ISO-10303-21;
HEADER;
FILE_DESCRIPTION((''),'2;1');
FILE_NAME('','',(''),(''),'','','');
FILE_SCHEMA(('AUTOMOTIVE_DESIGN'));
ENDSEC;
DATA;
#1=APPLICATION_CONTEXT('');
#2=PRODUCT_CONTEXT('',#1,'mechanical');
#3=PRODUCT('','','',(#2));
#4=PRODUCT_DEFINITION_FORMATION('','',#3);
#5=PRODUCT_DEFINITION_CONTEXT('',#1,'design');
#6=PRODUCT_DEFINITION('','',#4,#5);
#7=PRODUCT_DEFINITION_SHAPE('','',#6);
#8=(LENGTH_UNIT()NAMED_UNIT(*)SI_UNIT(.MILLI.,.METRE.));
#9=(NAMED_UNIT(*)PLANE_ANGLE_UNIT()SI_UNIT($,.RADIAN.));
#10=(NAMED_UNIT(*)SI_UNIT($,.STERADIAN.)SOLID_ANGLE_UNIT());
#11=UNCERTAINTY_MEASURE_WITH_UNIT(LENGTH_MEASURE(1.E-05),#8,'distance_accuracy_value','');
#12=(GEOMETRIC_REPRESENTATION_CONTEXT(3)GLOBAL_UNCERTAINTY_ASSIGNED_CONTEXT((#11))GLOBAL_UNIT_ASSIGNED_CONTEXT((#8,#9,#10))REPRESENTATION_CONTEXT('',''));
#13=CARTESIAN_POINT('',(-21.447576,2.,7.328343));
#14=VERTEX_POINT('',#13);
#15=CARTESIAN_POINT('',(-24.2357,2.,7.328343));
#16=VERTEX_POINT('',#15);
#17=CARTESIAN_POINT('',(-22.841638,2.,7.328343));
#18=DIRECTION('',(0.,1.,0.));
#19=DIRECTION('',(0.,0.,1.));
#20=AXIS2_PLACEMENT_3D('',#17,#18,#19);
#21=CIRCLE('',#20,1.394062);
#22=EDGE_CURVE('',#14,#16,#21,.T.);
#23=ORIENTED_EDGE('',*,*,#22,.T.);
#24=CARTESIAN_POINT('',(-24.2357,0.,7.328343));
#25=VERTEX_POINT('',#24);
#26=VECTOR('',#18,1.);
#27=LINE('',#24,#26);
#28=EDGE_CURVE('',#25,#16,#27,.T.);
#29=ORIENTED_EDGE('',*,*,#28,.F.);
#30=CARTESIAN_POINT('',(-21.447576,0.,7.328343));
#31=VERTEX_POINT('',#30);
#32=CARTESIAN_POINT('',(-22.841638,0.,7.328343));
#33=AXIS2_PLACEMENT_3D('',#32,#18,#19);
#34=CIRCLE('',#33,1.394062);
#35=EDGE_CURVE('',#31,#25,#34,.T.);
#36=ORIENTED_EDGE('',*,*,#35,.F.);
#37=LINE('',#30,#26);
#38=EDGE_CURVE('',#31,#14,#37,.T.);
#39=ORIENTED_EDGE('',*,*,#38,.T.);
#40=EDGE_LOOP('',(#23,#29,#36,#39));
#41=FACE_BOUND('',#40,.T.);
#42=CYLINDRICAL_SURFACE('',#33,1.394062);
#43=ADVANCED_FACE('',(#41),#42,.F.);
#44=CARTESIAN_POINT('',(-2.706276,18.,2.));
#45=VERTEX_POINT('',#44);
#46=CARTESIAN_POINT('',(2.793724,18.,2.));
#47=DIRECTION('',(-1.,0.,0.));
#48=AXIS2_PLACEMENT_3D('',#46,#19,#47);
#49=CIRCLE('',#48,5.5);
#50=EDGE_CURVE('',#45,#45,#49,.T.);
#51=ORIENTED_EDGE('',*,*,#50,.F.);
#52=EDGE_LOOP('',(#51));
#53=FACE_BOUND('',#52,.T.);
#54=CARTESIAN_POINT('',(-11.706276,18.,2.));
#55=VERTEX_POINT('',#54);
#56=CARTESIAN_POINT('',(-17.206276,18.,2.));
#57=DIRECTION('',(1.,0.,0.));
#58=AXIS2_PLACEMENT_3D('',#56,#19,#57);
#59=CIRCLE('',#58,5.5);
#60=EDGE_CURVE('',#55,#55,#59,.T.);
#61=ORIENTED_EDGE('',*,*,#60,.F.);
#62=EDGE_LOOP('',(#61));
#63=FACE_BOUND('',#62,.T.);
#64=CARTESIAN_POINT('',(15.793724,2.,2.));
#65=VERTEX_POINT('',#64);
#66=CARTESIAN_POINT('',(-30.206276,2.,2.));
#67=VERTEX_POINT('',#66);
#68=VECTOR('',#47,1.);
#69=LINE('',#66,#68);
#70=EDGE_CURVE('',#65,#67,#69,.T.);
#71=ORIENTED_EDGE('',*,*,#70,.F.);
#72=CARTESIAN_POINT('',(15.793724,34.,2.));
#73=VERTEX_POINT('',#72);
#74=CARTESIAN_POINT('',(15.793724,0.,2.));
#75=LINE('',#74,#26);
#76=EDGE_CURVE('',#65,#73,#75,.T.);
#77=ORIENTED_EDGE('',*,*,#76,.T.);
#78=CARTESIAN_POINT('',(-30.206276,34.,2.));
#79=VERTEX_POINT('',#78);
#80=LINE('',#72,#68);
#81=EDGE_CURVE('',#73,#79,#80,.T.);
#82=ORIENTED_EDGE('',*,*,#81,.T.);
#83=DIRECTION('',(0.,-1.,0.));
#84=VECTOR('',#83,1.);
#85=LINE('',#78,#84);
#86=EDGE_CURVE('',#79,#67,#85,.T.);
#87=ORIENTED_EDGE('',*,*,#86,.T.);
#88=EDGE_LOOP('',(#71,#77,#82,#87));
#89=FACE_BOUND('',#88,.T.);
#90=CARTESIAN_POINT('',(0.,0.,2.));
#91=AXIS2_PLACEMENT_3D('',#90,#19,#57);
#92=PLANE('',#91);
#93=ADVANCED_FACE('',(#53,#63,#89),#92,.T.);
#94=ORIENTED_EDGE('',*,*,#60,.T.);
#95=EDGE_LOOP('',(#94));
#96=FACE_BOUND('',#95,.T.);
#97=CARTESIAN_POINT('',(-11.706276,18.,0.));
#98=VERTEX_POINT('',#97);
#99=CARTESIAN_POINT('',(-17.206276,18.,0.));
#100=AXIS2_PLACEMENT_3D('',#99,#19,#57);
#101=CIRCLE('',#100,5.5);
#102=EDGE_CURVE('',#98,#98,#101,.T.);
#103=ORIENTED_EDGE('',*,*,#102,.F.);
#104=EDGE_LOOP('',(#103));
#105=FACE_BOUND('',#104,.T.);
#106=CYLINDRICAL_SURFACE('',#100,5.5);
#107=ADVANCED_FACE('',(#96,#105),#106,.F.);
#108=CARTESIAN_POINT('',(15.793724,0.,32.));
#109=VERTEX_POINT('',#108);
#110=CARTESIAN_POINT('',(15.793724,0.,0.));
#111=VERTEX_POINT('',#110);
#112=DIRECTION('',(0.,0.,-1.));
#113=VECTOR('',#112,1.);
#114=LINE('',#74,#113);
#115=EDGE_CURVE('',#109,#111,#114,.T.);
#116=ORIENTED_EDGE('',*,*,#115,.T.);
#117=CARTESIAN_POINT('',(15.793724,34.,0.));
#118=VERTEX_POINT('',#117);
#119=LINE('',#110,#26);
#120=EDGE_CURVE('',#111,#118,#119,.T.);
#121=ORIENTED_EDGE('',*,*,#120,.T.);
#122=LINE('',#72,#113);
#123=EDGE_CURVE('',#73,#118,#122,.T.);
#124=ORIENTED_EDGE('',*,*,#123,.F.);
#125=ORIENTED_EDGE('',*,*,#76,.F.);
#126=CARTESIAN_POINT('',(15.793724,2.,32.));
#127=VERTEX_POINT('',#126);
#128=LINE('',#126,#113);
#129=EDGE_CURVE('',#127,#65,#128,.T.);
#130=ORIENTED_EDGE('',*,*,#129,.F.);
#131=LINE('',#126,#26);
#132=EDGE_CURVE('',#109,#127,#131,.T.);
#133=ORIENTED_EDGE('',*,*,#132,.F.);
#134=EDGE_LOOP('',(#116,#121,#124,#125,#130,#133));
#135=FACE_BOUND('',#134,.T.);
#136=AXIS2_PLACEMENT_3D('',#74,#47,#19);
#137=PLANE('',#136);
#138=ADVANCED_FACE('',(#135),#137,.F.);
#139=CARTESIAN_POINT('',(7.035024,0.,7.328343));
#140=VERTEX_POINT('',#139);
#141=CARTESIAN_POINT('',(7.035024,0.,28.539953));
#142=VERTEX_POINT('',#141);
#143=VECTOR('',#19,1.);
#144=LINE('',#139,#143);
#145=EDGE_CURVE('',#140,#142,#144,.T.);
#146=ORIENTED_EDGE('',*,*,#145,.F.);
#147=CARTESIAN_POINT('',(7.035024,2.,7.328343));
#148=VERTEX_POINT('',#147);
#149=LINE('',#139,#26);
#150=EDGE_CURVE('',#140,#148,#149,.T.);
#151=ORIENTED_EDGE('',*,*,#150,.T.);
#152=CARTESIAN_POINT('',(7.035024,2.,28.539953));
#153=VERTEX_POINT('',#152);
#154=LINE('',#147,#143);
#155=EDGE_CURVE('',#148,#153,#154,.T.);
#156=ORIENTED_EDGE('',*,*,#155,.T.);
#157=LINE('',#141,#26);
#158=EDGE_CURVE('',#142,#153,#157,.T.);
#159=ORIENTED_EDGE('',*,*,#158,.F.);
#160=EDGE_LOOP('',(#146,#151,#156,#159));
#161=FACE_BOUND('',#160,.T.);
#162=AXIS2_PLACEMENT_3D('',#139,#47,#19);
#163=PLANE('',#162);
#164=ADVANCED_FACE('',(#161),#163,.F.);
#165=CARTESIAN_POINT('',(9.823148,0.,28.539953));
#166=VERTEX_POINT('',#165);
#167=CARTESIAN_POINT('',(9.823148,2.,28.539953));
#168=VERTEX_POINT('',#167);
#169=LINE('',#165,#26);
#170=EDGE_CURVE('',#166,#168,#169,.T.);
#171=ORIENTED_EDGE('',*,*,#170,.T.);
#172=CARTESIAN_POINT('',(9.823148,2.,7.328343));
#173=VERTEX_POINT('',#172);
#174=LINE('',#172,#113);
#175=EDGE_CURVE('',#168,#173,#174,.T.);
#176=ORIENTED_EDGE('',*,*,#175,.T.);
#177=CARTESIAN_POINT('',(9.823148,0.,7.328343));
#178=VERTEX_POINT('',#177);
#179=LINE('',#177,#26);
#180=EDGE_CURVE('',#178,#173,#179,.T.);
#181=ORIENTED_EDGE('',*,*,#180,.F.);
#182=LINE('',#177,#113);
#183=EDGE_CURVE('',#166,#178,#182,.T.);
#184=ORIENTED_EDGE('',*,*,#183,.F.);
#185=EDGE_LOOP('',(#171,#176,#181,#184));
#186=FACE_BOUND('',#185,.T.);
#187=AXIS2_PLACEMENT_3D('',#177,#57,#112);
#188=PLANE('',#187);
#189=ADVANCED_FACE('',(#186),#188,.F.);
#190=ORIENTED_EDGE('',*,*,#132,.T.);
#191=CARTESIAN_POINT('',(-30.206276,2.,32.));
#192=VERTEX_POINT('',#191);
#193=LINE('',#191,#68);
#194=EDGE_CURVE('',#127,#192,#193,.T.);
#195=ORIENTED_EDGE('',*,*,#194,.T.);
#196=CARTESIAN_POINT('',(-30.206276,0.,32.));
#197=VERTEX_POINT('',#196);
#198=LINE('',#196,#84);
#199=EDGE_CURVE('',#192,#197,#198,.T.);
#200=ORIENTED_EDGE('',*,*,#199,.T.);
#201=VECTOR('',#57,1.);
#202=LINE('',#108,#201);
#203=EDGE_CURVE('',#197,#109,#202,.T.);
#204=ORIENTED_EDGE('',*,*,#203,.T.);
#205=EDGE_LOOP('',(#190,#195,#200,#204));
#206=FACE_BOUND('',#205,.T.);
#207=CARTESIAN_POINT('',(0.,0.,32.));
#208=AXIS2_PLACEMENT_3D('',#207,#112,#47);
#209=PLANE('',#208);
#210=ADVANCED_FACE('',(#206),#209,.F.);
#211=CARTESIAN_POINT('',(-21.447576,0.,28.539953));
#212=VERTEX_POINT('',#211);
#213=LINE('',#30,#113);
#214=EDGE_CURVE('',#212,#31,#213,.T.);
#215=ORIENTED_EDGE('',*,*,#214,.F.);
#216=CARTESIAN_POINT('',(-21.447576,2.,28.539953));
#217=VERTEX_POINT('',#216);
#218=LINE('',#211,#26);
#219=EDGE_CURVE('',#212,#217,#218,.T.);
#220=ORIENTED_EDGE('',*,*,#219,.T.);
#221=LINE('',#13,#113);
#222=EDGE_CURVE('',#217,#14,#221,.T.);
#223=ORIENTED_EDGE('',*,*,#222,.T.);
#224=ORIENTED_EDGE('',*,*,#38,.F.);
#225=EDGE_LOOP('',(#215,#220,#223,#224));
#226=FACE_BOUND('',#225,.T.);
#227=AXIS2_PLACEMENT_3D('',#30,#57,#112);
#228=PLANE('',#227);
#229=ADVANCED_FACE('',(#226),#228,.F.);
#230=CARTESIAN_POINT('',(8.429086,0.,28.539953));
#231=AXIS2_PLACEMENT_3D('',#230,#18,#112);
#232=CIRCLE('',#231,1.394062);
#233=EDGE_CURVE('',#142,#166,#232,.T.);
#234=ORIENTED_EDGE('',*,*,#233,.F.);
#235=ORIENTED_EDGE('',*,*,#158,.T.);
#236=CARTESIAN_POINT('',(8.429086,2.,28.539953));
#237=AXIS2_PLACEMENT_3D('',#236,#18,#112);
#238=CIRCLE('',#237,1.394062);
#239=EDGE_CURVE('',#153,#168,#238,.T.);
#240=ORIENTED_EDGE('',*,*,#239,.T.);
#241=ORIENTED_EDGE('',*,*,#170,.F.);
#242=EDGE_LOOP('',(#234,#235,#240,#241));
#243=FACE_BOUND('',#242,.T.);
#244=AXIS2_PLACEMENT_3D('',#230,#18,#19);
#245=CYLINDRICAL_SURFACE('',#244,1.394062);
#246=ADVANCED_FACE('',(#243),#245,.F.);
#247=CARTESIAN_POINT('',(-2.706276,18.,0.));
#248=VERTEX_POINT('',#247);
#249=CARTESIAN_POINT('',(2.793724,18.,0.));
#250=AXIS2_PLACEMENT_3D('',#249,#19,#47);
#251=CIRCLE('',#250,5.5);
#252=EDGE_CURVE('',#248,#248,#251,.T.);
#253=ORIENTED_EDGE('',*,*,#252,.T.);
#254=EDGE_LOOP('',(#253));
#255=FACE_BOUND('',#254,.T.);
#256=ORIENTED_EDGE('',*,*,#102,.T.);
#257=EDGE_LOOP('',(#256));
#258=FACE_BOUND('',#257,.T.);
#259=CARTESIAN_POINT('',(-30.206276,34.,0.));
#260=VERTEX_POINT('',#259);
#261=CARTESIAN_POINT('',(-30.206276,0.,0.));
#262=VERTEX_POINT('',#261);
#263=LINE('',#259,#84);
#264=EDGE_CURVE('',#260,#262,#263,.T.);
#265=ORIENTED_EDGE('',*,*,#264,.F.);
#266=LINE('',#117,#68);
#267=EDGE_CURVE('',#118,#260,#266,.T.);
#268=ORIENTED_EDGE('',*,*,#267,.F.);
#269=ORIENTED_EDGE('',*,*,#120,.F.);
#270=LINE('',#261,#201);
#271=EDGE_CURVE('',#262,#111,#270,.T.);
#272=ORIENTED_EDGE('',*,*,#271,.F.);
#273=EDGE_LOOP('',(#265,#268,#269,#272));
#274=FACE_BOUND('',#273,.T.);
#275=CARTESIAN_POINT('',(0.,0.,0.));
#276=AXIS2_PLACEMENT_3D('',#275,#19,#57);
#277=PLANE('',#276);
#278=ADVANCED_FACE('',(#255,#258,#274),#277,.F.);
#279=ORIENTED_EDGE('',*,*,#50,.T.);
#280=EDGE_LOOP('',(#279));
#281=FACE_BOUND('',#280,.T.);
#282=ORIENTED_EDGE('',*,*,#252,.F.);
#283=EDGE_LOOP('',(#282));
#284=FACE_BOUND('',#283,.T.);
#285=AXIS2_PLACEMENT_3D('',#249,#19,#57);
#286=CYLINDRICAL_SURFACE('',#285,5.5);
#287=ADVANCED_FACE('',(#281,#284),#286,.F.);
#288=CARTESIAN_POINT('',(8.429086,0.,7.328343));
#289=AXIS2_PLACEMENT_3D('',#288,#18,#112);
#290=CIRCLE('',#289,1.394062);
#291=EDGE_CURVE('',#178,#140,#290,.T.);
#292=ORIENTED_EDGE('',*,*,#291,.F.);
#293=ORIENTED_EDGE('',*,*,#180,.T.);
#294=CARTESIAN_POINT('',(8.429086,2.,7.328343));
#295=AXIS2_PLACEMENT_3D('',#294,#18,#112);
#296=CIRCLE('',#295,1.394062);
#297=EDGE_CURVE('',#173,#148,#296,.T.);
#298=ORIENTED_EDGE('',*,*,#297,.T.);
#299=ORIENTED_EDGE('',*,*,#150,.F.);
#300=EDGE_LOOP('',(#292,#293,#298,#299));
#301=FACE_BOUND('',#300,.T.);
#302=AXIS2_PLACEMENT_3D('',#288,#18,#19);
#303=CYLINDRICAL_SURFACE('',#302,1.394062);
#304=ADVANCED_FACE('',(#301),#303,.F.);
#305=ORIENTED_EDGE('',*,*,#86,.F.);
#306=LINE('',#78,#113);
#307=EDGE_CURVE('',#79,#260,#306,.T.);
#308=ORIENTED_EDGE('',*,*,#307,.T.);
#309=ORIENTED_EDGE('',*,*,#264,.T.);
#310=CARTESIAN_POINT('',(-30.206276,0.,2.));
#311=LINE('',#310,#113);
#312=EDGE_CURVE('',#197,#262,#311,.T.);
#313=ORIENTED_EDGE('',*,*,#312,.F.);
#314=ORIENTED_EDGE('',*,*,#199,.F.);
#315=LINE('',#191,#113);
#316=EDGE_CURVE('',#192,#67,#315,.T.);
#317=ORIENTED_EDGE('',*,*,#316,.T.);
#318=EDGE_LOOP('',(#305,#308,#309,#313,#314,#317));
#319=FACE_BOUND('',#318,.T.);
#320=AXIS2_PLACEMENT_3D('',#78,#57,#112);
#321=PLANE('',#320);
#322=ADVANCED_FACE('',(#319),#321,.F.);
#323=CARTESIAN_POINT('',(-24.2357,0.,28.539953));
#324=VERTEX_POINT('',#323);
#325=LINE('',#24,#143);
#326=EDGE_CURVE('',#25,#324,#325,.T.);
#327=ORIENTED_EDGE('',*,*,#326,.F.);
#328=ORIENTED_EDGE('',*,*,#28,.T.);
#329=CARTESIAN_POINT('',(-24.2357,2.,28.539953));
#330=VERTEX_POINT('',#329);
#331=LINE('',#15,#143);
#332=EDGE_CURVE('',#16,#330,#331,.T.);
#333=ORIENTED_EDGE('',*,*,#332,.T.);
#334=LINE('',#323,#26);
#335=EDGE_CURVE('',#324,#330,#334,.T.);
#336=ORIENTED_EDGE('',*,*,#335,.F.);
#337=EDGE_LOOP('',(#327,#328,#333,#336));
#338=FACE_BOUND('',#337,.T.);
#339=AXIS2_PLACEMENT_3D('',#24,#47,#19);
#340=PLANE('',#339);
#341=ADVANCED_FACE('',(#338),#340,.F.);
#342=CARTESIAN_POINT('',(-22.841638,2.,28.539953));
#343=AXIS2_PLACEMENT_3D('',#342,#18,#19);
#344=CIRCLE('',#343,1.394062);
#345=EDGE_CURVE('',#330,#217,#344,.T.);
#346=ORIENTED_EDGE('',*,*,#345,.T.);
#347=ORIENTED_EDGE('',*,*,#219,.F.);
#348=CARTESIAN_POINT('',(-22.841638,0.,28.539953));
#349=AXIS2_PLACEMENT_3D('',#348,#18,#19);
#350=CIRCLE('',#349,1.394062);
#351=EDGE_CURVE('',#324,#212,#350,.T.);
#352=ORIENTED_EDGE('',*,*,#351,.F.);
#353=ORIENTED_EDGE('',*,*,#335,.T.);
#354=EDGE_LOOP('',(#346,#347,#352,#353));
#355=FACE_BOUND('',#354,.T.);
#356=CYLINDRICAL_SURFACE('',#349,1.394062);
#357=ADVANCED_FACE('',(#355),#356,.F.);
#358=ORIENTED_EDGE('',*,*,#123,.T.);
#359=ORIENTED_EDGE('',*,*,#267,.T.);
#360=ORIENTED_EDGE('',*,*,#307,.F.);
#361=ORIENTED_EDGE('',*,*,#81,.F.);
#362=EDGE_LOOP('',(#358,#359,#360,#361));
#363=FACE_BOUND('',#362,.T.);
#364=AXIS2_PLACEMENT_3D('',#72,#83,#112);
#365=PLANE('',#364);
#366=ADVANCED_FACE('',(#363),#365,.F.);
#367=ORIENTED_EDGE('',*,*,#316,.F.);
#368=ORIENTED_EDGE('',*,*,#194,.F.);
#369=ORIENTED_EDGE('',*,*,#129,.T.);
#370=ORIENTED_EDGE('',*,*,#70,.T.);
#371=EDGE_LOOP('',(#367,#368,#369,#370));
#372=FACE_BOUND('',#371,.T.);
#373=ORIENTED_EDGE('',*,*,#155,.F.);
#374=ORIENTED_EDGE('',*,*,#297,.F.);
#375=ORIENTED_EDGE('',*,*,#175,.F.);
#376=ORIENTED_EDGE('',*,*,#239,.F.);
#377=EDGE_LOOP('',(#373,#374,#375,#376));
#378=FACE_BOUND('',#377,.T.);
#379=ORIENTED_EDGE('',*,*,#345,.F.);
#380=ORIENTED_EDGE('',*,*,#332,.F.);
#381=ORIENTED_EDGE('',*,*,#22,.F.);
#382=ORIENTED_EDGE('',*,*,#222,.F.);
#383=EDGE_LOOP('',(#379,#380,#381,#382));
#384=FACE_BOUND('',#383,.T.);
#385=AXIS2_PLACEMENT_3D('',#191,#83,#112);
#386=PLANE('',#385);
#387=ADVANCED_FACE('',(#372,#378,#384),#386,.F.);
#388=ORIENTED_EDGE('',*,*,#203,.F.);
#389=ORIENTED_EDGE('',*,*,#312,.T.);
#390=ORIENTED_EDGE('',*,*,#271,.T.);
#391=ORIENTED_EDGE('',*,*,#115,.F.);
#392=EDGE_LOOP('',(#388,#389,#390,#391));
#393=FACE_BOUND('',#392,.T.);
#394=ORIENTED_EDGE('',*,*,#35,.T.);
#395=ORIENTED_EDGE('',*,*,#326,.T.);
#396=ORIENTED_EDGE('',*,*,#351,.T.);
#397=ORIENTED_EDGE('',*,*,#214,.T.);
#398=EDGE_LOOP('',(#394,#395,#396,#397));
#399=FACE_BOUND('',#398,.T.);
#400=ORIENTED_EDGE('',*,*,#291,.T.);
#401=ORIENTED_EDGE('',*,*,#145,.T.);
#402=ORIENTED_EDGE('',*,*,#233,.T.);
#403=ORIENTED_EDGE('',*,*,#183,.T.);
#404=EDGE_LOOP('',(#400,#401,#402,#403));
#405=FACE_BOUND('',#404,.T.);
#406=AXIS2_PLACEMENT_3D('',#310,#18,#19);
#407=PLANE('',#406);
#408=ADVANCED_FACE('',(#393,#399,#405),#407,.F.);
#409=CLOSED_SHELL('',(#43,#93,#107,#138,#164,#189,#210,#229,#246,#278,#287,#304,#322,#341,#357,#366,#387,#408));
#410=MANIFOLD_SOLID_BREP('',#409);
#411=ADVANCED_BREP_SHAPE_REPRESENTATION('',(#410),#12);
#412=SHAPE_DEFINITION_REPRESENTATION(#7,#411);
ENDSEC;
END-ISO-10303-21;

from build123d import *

# Parameters (mm, degrees)
SKETCH_1_W          = 46
SKETCH_1_H          = 34
EXTRUDE_1_DEPTH     = 2
SKETCH_2_W          = 46
SKETCH_2_H          = 2
EXTRUDE_2_DEPTH     = 30
SKETCH_3_R          = 5.5
CUT_EXTRUDE_1_DEPTH = 2
CUT_EXTRUDE_2_DEPTH = 2


with BuildPart() as part:
    # 草图1 → 凸台-拉伸1 (new body)
    with BuildSketch(Plane.XY):
        with Locations((-7.206275861, 17)):
            Rectangle(SKETCH_1_W, SKETCH_1_H)
    extrude(amount=EXTRUDE_1_DEPTH)

    # 草图2 → 凸台-拉伸2 (add)
    with BuildSketch(Plane.XY.offset(2)):
        with Locations((-7.206275861, 1)):
            Rectangle(SKETCH_2_W, SKETCH_2_H)
    extrude(amount=EXTRUDE_2_DEPTH)

    # 草图3 → 切除-拉伸1 (cut)
    with BuildSketch(Plane.XY.offset(2)):
        with Locations((-17.206275861, 18)):
            Circle(SKETCH_3_R)
        with Locations((2.793724139, 18)):
            Circle(SKETCH_3_R)
    extrude(amount=-CUT_EXTRUDE_1_DEPTH, mode=Mode.SUBTRACT)

    # 草图4 → 切除-拉伸2 (cut)
    with BuildSketch(Plane(origin=(0, 2, 0), x_dir=(1, 0, 0), z_dir=(0, 1, 0))):
        with BuildLine():
            Line((-24.235699599, -7.328343443), (-24.235699599, -28.539953108))
            ThreePointArc((-24.235699599, -28.539953108), (-22.841637624, -29.934015083), (-21.447575649, -28.539953108))
            Line((-21.447575649, -28.539953108), (-21.447575649, -7.328343443))
            ThreePointArc((-21.447575649, -7.328343443), (-22.841637624, -5.934281468), (-24.235699599, -7.328343443))
        make_face()
        with BuildLine():
            Line((7.035023927, -7.328343443), (7.035023927, -28.539953108))
            ThreePointArc((7.035023927, -28.539953108), (8.429085903, -29.934015083), (9.823147878, -28.539953108))
            Line((9.823147878, -28.539953108), (9.823147878, -7.328343443))
            ThreePointArc((9.823147878, -7.328343443), (8.429085903, -5.934281468), (7.035023927, -7.328343443))
        make_face()
    extrude(amount=-CUT_EXTRUDE_2_DEPTH, mode=Mode.SUBTRACT)


solid = part.part
